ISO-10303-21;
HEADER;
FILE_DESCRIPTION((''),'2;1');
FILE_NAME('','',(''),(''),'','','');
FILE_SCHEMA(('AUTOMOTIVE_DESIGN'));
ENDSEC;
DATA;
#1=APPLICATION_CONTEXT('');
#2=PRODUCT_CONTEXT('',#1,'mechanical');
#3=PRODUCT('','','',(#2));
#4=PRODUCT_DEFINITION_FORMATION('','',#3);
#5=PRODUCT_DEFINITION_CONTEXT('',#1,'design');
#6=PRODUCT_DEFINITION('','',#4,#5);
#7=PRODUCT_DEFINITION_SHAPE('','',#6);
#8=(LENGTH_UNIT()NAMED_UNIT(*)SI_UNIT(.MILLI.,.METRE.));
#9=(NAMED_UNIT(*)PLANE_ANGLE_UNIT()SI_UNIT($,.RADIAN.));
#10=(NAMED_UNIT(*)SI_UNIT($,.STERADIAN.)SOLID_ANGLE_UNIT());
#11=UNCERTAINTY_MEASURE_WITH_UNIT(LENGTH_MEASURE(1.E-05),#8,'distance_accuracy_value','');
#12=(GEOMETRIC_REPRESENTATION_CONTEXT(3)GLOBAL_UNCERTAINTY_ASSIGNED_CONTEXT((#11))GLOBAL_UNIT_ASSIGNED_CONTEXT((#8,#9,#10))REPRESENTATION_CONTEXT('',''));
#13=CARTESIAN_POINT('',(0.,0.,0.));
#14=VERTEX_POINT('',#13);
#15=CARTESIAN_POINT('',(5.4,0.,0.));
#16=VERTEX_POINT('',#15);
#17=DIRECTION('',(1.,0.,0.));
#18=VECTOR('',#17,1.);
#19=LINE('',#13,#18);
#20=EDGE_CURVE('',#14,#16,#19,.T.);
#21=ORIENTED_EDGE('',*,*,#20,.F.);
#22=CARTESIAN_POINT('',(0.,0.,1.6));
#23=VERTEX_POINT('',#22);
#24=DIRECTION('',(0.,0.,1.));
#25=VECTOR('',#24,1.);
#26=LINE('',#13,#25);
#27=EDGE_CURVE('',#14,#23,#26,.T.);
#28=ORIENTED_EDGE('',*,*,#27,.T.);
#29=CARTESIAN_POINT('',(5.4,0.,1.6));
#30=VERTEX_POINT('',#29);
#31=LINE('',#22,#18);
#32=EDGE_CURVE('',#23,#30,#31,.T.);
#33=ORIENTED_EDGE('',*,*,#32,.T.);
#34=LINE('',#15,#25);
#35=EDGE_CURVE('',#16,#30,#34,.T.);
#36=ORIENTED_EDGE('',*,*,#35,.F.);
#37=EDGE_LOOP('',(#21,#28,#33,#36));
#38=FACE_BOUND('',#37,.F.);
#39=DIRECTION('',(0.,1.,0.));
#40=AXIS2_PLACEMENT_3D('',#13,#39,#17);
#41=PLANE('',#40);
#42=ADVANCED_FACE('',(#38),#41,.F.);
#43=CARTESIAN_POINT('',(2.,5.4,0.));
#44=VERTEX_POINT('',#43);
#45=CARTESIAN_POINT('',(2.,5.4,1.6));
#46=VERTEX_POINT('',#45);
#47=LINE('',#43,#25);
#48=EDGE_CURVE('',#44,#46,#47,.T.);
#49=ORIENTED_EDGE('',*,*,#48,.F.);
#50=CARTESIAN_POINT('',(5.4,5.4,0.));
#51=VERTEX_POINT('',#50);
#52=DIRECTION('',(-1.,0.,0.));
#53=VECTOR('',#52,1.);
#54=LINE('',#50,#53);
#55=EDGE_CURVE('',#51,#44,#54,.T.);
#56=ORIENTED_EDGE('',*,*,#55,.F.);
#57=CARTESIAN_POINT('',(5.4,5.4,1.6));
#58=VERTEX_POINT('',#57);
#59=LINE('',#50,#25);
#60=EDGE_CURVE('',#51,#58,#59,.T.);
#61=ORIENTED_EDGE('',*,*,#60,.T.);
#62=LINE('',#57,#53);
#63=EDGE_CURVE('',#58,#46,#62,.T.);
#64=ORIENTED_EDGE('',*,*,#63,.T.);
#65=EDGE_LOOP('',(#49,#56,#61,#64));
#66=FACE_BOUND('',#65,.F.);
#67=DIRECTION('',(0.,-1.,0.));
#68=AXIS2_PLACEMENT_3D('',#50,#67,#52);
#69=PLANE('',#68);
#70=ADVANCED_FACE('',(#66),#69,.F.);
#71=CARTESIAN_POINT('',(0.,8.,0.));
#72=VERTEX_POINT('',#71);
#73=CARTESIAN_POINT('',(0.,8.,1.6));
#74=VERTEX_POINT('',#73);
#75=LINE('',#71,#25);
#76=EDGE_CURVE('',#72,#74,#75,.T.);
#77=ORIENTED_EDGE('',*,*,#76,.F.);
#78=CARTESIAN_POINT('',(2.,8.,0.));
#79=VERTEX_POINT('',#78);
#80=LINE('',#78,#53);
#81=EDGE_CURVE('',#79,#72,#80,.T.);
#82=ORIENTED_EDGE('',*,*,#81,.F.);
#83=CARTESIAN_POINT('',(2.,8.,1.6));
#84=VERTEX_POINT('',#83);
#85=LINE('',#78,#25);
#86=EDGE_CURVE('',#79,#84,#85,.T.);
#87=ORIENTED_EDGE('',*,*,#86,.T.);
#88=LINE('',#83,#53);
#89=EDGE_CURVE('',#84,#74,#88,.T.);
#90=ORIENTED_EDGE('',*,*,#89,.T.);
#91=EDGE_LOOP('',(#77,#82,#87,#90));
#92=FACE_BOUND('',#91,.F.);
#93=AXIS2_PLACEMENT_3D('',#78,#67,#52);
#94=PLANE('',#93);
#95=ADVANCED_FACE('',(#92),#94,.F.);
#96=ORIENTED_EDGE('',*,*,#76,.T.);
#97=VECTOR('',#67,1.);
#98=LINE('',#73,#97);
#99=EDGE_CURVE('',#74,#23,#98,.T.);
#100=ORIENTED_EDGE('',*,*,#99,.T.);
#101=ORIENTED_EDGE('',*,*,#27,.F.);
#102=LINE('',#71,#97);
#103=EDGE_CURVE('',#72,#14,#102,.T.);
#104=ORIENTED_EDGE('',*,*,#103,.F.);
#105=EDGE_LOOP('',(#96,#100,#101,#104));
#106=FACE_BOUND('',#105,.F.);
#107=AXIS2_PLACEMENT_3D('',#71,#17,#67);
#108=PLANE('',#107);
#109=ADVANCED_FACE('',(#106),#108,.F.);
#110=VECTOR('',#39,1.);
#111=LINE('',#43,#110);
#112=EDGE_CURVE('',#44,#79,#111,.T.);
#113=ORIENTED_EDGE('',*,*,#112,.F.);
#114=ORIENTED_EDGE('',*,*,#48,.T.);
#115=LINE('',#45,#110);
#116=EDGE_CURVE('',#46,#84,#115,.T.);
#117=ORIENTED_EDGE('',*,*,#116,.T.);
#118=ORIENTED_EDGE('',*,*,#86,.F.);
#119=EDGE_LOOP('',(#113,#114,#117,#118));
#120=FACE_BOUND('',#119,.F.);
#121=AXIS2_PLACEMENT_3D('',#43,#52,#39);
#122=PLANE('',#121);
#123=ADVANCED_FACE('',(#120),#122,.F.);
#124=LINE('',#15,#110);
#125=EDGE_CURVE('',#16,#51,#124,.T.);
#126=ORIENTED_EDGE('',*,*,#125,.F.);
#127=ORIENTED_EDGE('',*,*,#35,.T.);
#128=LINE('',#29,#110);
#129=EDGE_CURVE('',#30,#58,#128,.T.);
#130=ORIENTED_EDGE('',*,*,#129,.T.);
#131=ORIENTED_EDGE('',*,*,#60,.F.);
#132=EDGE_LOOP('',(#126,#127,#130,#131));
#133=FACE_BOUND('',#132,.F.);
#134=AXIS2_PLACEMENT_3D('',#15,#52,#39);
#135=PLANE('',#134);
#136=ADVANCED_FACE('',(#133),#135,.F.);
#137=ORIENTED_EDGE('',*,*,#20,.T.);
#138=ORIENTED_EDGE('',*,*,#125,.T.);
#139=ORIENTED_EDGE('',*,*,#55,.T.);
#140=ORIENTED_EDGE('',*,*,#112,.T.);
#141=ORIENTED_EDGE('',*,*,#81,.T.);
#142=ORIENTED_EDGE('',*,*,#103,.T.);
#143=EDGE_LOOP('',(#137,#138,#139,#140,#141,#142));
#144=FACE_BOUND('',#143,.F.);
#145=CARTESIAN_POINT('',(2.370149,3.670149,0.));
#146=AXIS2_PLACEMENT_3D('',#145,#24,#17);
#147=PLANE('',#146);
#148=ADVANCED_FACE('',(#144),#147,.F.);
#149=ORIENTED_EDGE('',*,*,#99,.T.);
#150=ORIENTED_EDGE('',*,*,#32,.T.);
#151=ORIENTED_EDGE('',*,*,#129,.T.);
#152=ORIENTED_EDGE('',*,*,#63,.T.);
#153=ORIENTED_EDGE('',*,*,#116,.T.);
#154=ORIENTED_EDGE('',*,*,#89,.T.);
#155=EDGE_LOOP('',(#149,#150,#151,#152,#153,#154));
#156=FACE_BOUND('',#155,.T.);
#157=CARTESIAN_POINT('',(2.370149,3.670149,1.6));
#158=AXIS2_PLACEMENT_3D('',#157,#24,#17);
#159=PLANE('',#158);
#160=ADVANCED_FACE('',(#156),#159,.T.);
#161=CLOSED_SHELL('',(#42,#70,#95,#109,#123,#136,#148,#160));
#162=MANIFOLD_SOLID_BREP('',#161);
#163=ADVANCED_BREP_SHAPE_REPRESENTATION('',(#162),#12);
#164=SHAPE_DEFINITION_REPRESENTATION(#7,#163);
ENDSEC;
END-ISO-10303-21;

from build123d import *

# Parameters (mm, degrees)
PAD_DEPTH = 1.6


with BuildPart() as part:
    # Sketch → Pad (new body)
    with BuildSketch(Plane.XY):
        Polygon((0, 8), (0, 0), (5.4, 0), (5.4, 5.4), (2, 5.4), (2, 8), align=None)
    extrude(amount=PAD_DEPTH)


solid = part.part
